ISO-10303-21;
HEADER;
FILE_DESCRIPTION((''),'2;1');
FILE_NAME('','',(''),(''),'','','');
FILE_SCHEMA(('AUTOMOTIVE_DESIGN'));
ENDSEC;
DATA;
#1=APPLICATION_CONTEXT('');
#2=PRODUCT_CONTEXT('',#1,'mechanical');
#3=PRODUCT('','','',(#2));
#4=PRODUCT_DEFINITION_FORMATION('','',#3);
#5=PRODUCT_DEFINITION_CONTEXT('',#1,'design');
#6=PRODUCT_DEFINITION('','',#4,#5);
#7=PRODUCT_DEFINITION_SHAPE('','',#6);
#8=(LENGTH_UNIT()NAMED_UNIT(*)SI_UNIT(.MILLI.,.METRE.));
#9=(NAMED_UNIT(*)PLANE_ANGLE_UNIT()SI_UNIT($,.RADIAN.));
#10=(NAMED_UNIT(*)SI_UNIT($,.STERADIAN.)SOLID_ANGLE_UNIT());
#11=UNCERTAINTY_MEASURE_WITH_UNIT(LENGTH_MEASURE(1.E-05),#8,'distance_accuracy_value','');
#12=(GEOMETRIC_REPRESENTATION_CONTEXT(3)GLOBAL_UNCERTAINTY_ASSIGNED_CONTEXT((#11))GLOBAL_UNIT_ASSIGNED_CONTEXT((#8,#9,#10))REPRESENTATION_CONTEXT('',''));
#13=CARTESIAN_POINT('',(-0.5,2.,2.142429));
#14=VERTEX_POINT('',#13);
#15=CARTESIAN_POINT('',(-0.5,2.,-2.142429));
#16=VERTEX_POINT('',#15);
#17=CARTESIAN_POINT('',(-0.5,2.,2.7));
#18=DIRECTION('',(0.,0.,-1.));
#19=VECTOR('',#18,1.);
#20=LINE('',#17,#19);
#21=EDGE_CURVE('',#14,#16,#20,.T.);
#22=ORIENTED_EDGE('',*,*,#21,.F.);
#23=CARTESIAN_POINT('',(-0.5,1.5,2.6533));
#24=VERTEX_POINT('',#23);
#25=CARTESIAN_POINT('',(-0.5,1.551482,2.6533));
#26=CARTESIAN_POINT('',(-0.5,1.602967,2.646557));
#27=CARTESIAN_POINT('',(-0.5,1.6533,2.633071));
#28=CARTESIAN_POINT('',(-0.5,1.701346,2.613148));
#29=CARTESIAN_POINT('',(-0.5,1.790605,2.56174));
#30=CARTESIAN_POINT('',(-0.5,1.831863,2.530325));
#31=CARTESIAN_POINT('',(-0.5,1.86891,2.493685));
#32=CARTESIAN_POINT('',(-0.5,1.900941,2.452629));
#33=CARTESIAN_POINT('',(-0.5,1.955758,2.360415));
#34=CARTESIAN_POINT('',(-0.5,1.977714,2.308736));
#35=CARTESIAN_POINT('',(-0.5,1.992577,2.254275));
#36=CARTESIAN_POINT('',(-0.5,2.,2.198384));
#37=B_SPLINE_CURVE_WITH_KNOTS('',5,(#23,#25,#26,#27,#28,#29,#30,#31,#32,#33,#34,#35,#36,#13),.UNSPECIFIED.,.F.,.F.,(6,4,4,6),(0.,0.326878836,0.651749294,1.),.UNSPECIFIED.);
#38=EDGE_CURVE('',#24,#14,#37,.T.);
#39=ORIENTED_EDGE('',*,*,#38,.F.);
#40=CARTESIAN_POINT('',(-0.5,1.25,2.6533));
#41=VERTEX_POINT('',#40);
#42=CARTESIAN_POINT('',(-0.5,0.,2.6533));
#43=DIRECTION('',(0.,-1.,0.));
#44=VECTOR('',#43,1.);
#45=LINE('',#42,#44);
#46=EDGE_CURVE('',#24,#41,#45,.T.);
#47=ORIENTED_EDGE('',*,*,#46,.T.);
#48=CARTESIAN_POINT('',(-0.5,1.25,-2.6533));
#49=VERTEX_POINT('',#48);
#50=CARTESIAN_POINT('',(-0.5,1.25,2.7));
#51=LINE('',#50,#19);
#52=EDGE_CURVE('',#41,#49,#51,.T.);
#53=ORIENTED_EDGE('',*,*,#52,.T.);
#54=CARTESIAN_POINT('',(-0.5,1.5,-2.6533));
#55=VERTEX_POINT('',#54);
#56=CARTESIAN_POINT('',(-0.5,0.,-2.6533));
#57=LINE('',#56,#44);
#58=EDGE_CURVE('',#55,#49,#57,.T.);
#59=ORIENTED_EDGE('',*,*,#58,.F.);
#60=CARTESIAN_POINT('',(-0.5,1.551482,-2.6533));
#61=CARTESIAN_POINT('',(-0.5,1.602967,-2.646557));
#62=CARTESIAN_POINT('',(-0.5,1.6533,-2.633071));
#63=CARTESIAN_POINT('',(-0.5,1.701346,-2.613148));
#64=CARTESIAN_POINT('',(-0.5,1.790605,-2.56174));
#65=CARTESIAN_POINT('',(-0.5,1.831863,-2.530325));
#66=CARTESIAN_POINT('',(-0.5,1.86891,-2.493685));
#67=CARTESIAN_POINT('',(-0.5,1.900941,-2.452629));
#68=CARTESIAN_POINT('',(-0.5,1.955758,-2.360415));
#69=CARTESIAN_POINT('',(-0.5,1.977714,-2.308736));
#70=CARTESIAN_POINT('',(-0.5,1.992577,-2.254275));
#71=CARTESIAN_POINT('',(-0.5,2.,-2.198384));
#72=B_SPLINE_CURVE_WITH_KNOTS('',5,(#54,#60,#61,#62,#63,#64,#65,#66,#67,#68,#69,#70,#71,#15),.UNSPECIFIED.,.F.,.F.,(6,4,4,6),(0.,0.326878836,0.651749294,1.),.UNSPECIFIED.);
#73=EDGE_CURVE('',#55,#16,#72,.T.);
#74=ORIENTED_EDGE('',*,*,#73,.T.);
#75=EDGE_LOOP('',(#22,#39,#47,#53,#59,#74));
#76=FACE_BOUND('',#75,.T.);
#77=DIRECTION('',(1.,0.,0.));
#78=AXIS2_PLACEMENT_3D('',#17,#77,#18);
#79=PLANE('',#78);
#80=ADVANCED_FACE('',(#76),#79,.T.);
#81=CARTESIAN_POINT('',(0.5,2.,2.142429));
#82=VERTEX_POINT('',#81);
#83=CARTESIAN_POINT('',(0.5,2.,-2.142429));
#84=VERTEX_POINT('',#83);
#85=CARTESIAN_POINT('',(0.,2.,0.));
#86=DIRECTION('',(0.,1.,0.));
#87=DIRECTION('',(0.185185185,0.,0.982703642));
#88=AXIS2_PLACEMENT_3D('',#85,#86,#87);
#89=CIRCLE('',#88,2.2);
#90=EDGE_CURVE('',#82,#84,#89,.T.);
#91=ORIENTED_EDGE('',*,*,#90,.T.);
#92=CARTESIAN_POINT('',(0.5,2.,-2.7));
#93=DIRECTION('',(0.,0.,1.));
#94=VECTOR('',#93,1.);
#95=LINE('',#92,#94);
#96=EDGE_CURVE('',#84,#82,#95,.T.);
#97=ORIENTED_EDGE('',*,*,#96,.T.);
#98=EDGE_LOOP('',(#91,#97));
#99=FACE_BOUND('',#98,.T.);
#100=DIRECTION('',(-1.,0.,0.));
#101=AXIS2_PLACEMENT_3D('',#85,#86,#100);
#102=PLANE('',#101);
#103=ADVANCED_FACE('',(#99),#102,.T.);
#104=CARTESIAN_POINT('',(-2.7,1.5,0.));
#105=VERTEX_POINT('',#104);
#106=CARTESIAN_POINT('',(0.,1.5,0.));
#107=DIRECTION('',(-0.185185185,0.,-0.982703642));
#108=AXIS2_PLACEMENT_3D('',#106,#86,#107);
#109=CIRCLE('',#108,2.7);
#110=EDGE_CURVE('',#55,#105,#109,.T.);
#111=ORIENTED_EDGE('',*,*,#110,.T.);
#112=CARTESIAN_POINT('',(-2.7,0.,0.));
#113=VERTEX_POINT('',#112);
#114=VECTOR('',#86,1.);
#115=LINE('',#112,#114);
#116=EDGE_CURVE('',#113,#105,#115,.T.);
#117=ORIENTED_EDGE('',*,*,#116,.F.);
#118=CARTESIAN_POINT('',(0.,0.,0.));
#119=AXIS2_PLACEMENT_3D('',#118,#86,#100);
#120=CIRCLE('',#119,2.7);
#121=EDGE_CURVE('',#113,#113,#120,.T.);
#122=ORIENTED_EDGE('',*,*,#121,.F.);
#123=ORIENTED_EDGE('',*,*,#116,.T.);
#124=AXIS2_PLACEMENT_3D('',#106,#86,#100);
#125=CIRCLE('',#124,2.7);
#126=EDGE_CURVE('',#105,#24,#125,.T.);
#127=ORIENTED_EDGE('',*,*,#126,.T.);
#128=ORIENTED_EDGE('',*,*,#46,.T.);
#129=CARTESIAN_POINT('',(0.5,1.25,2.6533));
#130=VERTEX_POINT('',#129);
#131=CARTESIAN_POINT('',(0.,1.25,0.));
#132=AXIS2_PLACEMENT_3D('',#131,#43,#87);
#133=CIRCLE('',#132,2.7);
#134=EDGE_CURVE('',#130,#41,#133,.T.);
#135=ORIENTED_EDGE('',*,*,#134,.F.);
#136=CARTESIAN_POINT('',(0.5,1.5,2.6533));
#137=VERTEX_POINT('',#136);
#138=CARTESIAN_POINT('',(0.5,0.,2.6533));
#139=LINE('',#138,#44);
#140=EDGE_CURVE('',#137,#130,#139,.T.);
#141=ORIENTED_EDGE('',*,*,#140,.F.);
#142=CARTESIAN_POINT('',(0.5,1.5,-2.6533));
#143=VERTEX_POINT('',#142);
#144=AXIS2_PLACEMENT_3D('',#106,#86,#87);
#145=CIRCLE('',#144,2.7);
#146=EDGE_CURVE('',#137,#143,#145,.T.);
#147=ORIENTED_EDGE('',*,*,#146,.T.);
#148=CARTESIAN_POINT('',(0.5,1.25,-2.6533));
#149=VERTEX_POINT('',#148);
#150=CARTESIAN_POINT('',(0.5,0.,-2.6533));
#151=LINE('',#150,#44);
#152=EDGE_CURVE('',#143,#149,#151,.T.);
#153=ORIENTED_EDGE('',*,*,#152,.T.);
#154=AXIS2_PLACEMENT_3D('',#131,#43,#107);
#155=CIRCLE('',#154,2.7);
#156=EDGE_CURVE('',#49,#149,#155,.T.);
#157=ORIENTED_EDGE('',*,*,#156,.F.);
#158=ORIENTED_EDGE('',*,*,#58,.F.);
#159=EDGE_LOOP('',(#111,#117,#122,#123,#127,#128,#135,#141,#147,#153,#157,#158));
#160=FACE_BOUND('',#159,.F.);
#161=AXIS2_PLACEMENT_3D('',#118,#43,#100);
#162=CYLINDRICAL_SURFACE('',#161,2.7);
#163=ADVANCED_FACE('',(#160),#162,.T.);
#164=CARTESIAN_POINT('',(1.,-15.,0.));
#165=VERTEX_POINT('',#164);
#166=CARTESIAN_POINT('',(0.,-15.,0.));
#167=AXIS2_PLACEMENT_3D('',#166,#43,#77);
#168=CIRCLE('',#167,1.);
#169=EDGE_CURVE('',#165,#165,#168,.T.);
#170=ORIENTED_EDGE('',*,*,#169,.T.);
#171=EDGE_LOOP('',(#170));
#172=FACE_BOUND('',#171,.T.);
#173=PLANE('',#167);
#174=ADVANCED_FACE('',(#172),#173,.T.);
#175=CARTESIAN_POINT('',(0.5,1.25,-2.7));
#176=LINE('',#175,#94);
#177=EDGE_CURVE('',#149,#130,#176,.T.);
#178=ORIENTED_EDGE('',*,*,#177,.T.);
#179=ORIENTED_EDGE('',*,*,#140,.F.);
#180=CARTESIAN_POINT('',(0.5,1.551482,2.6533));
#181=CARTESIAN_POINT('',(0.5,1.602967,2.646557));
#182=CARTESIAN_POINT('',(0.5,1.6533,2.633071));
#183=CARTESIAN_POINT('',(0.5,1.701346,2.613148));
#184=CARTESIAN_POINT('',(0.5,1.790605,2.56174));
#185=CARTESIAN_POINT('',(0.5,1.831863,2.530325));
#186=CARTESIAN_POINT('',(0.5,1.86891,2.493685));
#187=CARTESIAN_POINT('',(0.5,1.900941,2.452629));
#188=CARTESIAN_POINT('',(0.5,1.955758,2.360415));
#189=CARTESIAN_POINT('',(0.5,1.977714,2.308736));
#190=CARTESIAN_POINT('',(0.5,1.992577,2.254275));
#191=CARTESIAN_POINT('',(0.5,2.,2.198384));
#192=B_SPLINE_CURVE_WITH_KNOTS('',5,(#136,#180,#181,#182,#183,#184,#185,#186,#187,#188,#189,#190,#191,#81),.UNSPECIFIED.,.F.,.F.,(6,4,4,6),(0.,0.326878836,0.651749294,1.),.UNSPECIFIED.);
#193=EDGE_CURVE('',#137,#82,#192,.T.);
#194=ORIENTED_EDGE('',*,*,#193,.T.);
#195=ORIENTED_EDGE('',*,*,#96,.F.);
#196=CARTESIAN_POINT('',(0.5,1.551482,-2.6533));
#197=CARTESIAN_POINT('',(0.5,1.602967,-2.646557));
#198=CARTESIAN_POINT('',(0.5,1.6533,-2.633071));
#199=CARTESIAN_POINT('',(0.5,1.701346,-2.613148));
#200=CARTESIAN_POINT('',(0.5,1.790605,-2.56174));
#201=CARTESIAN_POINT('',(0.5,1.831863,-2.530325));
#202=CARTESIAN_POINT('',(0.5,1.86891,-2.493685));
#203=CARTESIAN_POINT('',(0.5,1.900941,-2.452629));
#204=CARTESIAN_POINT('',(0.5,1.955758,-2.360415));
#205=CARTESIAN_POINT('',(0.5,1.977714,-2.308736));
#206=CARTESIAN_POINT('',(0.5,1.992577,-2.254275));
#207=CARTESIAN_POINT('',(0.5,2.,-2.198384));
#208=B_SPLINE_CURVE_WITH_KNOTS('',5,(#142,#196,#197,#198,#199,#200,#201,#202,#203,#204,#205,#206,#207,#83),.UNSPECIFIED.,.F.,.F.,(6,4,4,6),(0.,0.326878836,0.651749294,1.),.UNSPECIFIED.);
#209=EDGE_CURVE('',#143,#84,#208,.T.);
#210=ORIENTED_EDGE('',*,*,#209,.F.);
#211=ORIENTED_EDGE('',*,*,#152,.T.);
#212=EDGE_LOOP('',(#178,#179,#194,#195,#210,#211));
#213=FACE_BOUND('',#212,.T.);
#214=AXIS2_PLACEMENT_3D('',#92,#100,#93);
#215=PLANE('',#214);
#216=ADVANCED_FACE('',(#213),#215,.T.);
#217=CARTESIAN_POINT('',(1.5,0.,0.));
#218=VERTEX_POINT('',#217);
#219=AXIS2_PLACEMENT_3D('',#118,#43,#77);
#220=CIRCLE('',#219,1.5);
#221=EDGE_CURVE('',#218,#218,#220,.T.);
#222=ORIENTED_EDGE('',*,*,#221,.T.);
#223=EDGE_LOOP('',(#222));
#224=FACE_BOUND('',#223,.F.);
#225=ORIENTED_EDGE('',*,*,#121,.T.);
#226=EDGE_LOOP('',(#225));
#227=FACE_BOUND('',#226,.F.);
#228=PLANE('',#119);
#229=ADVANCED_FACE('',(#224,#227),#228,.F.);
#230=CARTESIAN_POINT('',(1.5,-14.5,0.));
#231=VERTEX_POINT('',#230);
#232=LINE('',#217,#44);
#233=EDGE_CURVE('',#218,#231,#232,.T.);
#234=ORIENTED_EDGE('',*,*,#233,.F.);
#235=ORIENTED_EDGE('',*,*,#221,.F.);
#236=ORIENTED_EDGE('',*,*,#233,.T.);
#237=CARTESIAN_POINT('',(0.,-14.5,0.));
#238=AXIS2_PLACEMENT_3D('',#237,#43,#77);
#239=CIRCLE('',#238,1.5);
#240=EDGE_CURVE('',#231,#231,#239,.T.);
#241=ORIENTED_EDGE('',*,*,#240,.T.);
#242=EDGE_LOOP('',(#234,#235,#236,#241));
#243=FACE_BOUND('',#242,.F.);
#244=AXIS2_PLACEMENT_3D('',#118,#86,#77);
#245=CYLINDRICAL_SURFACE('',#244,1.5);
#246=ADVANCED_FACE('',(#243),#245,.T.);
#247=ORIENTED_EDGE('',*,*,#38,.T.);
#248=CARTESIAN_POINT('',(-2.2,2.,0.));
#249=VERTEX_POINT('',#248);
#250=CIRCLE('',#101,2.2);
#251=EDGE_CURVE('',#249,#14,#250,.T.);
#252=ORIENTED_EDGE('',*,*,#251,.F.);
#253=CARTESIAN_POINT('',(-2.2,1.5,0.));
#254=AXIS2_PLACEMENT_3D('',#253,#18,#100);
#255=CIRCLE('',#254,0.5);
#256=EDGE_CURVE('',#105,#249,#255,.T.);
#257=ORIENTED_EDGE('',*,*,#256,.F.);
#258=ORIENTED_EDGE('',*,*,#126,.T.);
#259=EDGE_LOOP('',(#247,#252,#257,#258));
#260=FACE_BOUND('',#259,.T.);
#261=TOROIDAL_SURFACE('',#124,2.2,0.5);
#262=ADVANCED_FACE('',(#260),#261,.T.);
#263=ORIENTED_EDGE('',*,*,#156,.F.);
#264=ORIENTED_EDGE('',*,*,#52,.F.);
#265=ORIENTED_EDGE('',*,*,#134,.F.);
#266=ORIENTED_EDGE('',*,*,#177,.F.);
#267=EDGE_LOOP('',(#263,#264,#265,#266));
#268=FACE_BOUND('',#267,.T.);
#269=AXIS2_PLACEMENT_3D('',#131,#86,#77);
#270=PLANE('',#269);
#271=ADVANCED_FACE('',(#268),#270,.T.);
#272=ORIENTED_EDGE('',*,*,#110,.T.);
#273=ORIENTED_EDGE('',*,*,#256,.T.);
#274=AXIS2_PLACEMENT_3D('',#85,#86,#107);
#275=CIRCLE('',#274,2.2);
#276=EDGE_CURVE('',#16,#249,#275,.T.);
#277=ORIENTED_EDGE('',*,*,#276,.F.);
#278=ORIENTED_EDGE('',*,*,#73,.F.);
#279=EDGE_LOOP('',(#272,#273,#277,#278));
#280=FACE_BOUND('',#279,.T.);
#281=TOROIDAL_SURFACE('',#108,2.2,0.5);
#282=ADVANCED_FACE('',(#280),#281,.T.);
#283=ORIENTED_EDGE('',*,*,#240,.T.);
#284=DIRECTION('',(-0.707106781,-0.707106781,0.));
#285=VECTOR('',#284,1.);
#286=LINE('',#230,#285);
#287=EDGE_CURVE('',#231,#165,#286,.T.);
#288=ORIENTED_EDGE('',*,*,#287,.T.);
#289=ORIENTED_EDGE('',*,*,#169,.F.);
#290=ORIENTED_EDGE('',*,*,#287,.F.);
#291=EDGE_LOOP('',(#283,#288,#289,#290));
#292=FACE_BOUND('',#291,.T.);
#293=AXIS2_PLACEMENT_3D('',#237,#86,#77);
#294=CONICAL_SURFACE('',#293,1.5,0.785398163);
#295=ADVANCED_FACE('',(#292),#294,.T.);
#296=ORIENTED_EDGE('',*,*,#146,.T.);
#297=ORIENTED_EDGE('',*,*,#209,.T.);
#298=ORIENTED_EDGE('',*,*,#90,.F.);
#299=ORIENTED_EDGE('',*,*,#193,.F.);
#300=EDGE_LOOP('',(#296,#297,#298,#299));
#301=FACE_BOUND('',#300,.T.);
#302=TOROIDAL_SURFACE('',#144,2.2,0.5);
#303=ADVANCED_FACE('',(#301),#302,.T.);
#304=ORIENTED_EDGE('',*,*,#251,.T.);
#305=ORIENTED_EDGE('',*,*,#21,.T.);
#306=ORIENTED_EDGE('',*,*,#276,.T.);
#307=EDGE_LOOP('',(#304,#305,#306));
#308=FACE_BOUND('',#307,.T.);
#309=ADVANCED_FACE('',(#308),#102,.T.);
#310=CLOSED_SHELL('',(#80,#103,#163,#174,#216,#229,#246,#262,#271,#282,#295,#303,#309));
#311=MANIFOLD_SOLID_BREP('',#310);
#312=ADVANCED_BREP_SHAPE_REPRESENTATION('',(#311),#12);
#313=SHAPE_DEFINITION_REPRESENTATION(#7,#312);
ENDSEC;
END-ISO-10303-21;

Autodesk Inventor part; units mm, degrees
ref_plane "YZ Plane" through (0, 0, 0) normal (1, 0, 0) x (0, 1, 0)
ref_plane "XZ Plane" through (0, 0, 0) normal (0, 1, 0) x (-1, 0, 0)
ref_plane "XY Plane" through (0, 0, 0) normal (0, 0, 1) x (1, 0, 0)
sketch "Sketch1" plane through (0, 0, 0) normal (0, 1, 0) x (-1, 0, 0)
  circle A0 centre (0, 0) radius 2.7
  dimension "headDiameter" = 5.4
extrude "Extrusion1" add sketch "Sketch1" along normal blind 2
sketch "Sketch2" plane through (0, 2, 0) normal (0, 1, 0) x (1, 0, 0)
  line L0 (0.5, -2.7) -> (-0.5, -2.7)
  line L1 (-0.5, -2.7) -> (-0.5, 2.7)
  line L2 (-0.5, 2.7) -> (0.5, 2.7)
  line L3 (0.5, 2.7) -> (0.5, -2.7)
  line L4 (0.5, -2.7) -> (-0.5, 2.7) construction
  line L5 (-0.5, -2.7) -> (0.5, 2.7) construction
  point P0 (0, 0)
  dimension "d3" = 1
  dimension "d4" = 5.4
extrude "Extrusion2" cut sketch "Sketch2" against normal blind 0.75
sketch "Sketch3" plane through (0, 0, 0) normal (0, -1, 0) x (1, 0, 0)
  circle A0 centre (0, 0) radius 1.5
  dimension "d7" = 3
extrude "Extrusion3" add sketch "Sketch3" along normal blind 15
chamfer "Chamfer1" distance 0.5 angle 45 1 edges at (-1.5, -15, 0)
fillet "Fillet1" radius 0.5 3 edges at (-2.0785, 2, 1.7234) (-2.0785, 2, -1.7234) (2.7, 2, 0)
equation "\"d4\" = headDiameter"
properties part number "machineScrew3x15" material "Stainless Steel"
